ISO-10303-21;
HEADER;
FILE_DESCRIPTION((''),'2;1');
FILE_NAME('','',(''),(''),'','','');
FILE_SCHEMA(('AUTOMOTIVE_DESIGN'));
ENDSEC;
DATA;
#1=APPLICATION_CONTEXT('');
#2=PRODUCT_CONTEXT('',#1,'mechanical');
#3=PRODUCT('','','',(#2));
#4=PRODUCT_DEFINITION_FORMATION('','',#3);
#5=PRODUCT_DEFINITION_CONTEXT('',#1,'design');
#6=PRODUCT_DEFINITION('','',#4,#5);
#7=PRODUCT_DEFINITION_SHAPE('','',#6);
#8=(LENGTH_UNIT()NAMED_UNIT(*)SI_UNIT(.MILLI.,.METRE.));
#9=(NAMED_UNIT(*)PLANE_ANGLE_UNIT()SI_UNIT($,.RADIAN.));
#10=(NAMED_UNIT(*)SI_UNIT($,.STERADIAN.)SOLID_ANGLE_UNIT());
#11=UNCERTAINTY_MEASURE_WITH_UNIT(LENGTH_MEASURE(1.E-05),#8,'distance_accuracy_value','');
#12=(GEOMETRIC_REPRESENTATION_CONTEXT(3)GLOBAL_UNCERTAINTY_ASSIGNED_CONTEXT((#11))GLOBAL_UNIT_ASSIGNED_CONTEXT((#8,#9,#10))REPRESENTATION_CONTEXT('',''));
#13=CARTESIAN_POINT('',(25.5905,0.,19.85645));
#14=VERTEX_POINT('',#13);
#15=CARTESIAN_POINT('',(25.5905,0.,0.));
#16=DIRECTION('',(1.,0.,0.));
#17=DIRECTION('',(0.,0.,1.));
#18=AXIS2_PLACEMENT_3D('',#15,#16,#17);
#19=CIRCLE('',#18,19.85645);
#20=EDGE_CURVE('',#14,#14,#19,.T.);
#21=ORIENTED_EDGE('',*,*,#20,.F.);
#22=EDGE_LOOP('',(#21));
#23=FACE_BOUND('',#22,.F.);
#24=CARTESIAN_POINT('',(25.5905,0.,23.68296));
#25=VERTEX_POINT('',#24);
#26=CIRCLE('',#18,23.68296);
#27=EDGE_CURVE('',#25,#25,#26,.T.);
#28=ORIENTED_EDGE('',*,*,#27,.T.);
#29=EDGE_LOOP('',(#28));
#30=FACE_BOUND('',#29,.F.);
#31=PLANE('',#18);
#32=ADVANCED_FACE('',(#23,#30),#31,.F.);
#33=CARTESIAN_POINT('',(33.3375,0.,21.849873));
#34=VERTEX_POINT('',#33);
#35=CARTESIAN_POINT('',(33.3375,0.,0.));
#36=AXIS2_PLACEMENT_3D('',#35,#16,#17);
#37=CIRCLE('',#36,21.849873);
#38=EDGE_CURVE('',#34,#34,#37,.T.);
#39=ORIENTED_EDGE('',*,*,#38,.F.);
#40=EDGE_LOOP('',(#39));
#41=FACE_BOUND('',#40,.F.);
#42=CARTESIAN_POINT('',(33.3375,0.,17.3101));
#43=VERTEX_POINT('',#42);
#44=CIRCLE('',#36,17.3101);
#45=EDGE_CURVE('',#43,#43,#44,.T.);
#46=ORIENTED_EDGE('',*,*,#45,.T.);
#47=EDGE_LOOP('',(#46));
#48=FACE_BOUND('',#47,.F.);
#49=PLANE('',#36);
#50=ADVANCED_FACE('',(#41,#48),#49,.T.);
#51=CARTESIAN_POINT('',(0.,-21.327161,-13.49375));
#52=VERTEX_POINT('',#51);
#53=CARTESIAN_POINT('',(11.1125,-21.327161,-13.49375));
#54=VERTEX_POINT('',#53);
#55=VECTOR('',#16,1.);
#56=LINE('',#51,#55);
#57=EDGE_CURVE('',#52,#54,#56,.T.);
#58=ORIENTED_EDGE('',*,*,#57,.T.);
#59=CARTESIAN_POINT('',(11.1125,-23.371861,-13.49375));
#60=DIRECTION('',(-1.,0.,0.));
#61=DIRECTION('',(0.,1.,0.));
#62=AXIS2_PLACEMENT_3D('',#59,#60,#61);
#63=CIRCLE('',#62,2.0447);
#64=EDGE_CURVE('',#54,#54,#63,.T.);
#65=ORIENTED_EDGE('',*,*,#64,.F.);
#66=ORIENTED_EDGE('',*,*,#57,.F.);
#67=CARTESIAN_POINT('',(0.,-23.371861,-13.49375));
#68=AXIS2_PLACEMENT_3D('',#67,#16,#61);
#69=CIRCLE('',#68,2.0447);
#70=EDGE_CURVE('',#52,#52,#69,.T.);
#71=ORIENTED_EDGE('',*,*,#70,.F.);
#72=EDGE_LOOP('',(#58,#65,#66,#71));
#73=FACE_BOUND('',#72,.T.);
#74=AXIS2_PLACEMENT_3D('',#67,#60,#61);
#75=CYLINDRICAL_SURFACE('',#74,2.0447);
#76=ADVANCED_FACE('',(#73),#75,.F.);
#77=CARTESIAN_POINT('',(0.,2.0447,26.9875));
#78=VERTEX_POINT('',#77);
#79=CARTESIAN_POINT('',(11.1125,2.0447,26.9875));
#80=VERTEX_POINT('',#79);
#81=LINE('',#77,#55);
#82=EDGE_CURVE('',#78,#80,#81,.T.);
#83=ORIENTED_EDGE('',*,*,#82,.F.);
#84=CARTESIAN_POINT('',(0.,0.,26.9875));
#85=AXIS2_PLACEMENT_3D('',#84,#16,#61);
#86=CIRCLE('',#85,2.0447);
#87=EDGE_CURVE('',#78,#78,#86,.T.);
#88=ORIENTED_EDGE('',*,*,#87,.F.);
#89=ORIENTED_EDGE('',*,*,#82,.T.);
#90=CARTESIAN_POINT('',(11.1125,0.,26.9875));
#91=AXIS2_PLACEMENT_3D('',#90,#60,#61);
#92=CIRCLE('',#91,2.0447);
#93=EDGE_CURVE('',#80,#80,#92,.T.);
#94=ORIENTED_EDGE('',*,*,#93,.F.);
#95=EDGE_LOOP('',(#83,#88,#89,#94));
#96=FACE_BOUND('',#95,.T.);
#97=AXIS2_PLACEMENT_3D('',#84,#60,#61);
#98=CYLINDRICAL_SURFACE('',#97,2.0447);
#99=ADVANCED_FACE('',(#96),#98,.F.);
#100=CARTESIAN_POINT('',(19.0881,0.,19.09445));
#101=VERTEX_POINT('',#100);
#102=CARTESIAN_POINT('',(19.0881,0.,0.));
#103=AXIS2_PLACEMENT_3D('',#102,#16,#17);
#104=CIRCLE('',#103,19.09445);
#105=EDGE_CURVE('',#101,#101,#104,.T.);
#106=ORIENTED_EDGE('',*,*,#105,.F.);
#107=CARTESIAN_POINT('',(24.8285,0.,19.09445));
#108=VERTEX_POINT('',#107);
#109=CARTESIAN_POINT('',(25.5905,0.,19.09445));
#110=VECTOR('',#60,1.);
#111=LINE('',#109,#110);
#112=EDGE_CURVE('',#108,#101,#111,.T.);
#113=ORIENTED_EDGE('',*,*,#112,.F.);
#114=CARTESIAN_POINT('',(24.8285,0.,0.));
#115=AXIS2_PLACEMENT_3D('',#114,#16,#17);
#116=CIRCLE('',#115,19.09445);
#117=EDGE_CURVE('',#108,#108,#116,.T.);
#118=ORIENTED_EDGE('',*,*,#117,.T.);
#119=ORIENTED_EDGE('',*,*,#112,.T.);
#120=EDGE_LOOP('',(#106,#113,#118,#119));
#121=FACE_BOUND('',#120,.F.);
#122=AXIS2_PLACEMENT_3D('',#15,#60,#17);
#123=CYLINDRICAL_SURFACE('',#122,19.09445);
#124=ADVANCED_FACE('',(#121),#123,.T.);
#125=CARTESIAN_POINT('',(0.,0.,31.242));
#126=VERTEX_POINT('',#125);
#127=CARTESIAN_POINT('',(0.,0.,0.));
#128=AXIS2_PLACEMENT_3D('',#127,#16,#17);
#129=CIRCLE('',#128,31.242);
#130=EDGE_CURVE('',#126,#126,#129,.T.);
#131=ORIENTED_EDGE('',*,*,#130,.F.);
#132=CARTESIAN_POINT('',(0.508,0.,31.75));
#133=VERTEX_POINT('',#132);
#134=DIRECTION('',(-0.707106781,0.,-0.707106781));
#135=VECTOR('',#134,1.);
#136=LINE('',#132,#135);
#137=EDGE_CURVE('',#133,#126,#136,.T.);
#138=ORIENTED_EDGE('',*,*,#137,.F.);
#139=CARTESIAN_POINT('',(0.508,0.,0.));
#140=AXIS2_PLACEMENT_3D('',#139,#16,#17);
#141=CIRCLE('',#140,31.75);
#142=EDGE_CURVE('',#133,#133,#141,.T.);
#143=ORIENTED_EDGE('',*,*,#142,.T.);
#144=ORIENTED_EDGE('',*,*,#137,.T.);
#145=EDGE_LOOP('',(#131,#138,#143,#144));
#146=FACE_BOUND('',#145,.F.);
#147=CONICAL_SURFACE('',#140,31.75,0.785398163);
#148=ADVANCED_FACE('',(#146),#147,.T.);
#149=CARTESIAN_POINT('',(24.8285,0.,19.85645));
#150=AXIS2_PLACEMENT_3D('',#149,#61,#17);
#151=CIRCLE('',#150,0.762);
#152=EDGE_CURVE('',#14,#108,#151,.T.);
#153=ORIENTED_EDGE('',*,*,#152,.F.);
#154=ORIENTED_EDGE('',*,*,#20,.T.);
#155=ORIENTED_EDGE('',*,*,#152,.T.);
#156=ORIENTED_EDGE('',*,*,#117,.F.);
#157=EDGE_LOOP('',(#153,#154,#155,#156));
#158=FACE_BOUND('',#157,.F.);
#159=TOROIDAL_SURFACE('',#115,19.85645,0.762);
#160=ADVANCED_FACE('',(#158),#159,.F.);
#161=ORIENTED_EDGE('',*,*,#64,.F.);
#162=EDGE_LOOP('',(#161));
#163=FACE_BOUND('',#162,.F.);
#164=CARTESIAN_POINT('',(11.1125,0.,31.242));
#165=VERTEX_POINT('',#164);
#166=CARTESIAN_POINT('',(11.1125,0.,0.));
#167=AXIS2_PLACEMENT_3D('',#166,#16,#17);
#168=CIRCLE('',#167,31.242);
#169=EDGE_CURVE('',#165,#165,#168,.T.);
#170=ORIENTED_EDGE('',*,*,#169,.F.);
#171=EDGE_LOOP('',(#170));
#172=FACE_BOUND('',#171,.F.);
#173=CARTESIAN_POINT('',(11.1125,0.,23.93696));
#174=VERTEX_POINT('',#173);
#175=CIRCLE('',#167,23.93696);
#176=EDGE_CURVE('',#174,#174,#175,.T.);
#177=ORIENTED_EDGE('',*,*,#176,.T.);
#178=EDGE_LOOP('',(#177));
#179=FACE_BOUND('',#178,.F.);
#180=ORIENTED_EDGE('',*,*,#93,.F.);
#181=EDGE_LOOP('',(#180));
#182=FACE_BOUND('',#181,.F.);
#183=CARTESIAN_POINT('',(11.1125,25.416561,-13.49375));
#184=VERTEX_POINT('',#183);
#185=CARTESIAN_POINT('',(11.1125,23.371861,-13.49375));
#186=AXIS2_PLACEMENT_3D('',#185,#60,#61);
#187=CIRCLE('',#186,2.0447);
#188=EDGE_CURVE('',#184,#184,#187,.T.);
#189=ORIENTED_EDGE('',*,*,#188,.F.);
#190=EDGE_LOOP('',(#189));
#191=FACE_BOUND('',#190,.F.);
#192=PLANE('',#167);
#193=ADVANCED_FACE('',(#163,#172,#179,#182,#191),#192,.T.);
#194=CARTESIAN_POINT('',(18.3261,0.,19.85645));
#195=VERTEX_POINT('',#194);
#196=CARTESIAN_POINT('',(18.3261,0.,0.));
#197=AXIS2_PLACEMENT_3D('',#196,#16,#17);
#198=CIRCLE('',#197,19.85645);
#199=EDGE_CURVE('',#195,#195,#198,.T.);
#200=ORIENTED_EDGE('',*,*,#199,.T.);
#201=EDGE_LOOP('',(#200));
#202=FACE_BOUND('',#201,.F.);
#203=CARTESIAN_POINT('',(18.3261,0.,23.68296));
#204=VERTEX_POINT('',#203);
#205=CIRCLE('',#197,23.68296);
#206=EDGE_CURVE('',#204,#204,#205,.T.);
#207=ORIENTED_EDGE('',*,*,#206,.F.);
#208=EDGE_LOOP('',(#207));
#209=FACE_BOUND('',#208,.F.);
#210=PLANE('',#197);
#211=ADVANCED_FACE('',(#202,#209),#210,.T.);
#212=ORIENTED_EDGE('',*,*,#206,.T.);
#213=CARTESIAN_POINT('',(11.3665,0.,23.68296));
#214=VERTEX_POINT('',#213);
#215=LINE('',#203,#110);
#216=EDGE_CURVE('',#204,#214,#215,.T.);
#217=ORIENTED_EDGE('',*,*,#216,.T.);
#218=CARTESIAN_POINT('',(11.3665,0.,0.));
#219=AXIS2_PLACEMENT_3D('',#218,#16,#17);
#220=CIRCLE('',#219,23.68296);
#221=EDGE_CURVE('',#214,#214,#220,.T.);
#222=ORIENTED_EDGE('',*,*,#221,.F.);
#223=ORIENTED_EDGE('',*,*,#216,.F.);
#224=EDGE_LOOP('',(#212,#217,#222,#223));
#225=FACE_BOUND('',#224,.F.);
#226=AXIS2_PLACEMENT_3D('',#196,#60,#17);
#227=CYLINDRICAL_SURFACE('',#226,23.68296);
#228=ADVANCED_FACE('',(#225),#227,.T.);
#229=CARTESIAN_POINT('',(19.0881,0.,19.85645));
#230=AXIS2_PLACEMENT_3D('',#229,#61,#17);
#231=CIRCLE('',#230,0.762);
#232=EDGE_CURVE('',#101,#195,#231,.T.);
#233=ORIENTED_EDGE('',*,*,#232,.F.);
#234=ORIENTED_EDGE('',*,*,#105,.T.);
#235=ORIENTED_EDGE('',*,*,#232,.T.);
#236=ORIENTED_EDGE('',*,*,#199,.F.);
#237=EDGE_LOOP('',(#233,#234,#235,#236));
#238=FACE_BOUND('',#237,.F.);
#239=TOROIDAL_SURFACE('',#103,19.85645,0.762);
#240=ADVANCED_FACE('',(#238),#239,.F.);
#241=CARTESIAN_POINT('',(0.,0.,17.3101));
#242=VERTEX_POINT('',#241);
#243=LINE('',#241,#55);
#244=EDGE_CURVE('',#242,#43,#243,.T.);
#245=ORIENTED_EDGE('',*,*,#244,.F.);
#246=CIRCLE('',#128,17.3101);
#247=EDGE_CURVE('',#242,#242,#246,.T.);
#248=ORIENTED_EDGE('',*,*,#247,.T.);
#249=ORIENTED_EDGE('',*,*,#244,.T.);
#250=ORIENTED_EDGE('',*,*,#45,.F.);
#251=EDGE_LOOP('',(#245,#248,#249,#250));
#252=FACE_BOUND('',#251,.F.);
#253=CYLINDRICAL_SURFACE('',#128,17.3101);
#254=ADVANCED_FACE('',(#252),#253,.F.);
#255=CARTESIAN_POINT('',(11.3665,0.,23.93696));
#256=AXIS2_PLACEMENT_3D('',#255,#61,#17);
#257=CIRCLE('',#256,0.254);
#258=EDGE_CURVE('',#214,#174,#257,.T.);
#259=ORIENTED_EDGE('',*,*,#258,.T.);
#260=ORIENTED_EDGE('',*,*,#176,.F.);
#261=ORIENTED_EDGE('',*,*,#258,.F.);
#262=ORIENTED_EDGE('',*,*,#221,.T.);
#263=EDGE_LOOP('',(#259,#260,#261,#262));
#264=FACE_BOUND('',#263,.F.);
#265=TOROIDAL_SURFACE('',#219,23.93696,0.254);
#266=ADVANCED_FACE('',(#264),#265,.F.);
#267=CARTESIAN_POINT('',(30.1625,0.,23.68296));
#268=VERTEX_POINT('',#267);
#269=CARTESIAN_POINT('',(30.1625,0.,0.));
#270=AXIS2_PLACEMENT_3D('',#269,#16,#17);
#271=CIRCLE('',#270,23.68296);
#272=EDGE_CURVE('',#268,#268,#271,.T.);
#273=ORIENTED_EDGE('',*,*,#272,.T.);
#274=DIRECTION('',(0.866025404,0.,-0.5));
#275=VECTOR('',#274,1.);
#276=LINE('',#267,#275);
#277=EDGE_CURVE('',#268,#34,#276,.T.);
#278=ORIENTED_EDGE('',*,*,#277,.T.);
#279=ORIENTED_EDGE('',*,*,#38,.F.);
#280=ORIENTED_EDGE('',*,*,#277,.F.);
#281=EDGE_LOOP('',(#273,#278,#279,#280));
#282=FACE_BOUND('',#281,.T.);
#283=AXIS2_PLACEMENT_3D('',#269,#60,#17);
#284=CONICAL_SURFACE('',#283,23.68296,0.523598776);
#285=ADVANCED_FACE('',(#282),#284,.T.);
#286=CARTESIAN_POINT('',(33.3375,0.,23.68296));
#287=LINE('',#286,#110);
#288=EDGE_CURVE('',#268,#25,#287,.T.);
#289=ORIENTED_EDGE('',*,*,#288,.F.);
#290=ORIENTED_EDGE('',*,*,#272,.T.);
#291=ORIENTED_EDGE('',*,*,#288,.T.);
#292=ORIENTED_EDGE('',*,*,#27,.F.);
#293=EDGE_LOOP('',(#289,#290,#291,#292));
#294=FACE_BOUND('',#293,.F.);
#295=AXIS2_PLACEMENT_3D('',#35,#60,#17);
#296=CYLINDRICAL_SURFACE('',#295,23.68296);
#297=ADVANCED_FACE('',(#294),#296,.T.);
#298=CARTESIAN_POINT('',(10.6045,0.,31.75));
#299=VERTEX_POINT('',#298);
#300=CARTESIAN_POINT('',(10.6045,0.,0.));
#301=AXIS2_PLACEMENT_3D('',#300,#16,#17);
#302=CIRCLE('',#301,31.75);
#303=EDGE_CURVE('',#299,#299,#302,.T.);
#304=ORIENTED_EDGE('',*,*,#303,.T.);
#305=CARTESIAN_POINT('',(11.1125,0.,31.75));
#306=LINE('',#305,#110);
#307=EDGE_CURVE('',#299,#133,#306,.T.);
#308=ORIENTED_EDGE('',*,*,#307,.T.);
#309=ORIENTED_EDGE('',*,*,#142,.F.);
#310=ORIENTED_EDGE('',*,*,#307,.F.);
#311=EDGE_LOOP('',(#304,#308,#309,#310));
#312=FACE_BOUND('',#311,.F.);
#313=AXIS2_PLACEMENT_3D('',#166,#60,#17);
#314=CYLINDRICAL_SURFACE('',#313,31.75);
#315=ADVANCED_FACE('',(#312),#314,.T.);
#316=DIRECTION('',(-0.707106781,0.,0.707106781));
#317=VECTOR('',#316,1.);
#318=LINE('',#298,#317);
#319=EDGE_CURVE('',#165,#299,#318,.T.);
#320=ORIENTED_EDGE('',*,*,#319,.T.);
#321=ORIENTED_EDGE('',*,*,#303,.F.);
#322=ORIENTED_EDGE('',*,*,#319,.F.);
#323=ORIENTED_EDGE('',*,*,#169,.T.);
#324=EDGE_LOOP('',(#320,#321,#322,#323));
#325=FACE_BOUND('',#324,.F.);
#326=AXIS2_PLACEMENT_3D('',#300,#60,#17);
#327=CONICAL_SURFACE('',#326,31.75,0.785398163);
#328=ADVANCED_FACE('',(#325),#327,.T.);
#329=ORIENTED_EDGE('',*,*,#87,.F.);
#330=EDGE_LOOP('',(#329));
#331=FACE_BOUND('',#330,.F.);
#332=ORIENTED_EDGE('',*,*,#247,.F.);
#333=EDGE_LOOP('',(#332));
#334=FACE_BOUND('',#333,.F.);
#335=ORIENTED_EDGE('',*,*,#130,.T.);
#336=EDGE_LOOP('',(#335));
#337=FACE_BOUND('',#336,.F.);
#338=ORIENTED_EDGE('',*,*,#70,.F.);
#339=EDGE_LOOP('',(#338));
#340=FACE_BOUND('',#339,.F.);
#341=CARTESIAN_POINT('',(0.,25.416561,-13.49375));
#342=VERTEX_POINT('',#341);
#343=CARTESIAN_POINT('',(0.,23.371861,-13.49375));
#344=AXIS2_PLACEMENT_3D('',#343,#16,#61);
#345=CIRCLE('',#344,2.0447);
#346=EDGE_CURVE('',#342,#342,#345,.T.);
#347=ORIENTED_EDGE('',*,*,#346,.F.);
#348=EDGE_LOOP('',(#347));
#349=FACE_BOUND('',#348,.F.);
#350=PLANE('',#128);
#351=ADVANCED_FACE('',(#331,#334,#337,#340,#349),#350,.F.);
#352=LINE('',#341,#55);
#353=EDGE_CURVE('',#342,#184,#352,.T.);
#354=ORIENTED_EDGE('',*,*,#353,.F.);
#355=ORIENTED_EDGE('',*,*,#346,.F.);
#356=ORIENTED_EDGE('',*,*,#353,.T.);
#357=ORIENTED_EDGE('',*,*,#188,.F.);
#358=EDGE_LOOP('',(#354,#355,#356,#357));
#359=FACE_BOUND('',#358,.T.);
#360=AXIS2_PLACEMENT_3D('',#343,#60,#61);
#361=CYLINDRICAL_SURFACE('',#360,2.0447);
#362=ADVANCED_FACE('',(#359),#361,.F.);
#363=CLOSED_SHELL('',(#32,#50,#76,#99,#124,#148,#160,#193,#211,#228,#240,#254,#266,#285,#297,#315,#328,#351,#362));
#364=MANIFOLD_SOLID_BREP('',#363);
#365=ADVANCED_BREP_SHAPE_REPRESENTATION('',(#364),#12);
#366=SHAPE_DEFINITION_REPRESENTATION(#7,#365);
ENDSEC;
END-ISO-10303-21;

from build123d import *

# Parameters (mm, degrees)
F2_SIZE2 = 1.8330871047
F2_SIZE  = 3.175
F3_R     = 0.762
F4_R     = 0.254
F5_SIZE  = 0.508
F6_R     = 2.0447
F7_DEPTH = 25.4


with BuildPart() as f1:
    # F0 (on Front) → F1 (revolve)
    with BuildSketch(Plane.XZ):
        Polygon((11.1125, 23.68296), (11.1125, 31.75), (0, 31.75), (0, 17.3101), (33.3375, 17.3101), (33.3375, 23.68296), (25.5905, 23.68296), (25.5905, 19.09445), (18.3261, 19.09445), (18.3261, 23.68296), align=None)
    revolve(axis=Axis((23.780265148, 0, 0), (1, 0, 0)))

    # F2
    f2_edges = [f1.edges().sort_by_distance(p)[0] for p in [
        (33.3375, 0, -23.68296),
    ]]
    f2_side = f1.faces().sort_by_distance((29.464, 0, -23.68296))[0]
    chamfer(f2_edges, length=F2_SIZE, length2=F2_SIZE2, reference=f2_side)

    # F3
    f3_edges = [f1.edges().sort_by_distance(p)[0] for p in [
        (18.3261, 0, -19.09445),
        (25.5905, 0, -19.09445),
    ]]
    fillet(f3_edges, radius=F3_R)

    # F4
    f4_edges = [f1.edges().sort_by_distance(p)[0] for p in [
        (11.1125, 0, -23.68296),
    ]]
    fillet(f4_edges, radius=F4_R)

    # F5
    f5_edges = [f1.edges().sort_by_distance(p)[0] for p in [
        (11.1125, 0, -31.75),
        (0, 0, -31.75),
    ]]
    chamfer(f5_edges, length=F5_SIZE)

    # F6 (on Right) → F7 (cut)
    with BuildSketch(Plane.YZ):
        with Locations((0, 26.9875)):
            Circle(F6_R)
        with Locations((23.3718605846, -13.49375)):
            Circle(F6_R)
        with Locations((-23.3718605846, -13.49375)):
            Circle(F6_R)
    extrude(amount=F7_DEPTH, mode=Mode.SUBTRACT)


solid = f1.part
